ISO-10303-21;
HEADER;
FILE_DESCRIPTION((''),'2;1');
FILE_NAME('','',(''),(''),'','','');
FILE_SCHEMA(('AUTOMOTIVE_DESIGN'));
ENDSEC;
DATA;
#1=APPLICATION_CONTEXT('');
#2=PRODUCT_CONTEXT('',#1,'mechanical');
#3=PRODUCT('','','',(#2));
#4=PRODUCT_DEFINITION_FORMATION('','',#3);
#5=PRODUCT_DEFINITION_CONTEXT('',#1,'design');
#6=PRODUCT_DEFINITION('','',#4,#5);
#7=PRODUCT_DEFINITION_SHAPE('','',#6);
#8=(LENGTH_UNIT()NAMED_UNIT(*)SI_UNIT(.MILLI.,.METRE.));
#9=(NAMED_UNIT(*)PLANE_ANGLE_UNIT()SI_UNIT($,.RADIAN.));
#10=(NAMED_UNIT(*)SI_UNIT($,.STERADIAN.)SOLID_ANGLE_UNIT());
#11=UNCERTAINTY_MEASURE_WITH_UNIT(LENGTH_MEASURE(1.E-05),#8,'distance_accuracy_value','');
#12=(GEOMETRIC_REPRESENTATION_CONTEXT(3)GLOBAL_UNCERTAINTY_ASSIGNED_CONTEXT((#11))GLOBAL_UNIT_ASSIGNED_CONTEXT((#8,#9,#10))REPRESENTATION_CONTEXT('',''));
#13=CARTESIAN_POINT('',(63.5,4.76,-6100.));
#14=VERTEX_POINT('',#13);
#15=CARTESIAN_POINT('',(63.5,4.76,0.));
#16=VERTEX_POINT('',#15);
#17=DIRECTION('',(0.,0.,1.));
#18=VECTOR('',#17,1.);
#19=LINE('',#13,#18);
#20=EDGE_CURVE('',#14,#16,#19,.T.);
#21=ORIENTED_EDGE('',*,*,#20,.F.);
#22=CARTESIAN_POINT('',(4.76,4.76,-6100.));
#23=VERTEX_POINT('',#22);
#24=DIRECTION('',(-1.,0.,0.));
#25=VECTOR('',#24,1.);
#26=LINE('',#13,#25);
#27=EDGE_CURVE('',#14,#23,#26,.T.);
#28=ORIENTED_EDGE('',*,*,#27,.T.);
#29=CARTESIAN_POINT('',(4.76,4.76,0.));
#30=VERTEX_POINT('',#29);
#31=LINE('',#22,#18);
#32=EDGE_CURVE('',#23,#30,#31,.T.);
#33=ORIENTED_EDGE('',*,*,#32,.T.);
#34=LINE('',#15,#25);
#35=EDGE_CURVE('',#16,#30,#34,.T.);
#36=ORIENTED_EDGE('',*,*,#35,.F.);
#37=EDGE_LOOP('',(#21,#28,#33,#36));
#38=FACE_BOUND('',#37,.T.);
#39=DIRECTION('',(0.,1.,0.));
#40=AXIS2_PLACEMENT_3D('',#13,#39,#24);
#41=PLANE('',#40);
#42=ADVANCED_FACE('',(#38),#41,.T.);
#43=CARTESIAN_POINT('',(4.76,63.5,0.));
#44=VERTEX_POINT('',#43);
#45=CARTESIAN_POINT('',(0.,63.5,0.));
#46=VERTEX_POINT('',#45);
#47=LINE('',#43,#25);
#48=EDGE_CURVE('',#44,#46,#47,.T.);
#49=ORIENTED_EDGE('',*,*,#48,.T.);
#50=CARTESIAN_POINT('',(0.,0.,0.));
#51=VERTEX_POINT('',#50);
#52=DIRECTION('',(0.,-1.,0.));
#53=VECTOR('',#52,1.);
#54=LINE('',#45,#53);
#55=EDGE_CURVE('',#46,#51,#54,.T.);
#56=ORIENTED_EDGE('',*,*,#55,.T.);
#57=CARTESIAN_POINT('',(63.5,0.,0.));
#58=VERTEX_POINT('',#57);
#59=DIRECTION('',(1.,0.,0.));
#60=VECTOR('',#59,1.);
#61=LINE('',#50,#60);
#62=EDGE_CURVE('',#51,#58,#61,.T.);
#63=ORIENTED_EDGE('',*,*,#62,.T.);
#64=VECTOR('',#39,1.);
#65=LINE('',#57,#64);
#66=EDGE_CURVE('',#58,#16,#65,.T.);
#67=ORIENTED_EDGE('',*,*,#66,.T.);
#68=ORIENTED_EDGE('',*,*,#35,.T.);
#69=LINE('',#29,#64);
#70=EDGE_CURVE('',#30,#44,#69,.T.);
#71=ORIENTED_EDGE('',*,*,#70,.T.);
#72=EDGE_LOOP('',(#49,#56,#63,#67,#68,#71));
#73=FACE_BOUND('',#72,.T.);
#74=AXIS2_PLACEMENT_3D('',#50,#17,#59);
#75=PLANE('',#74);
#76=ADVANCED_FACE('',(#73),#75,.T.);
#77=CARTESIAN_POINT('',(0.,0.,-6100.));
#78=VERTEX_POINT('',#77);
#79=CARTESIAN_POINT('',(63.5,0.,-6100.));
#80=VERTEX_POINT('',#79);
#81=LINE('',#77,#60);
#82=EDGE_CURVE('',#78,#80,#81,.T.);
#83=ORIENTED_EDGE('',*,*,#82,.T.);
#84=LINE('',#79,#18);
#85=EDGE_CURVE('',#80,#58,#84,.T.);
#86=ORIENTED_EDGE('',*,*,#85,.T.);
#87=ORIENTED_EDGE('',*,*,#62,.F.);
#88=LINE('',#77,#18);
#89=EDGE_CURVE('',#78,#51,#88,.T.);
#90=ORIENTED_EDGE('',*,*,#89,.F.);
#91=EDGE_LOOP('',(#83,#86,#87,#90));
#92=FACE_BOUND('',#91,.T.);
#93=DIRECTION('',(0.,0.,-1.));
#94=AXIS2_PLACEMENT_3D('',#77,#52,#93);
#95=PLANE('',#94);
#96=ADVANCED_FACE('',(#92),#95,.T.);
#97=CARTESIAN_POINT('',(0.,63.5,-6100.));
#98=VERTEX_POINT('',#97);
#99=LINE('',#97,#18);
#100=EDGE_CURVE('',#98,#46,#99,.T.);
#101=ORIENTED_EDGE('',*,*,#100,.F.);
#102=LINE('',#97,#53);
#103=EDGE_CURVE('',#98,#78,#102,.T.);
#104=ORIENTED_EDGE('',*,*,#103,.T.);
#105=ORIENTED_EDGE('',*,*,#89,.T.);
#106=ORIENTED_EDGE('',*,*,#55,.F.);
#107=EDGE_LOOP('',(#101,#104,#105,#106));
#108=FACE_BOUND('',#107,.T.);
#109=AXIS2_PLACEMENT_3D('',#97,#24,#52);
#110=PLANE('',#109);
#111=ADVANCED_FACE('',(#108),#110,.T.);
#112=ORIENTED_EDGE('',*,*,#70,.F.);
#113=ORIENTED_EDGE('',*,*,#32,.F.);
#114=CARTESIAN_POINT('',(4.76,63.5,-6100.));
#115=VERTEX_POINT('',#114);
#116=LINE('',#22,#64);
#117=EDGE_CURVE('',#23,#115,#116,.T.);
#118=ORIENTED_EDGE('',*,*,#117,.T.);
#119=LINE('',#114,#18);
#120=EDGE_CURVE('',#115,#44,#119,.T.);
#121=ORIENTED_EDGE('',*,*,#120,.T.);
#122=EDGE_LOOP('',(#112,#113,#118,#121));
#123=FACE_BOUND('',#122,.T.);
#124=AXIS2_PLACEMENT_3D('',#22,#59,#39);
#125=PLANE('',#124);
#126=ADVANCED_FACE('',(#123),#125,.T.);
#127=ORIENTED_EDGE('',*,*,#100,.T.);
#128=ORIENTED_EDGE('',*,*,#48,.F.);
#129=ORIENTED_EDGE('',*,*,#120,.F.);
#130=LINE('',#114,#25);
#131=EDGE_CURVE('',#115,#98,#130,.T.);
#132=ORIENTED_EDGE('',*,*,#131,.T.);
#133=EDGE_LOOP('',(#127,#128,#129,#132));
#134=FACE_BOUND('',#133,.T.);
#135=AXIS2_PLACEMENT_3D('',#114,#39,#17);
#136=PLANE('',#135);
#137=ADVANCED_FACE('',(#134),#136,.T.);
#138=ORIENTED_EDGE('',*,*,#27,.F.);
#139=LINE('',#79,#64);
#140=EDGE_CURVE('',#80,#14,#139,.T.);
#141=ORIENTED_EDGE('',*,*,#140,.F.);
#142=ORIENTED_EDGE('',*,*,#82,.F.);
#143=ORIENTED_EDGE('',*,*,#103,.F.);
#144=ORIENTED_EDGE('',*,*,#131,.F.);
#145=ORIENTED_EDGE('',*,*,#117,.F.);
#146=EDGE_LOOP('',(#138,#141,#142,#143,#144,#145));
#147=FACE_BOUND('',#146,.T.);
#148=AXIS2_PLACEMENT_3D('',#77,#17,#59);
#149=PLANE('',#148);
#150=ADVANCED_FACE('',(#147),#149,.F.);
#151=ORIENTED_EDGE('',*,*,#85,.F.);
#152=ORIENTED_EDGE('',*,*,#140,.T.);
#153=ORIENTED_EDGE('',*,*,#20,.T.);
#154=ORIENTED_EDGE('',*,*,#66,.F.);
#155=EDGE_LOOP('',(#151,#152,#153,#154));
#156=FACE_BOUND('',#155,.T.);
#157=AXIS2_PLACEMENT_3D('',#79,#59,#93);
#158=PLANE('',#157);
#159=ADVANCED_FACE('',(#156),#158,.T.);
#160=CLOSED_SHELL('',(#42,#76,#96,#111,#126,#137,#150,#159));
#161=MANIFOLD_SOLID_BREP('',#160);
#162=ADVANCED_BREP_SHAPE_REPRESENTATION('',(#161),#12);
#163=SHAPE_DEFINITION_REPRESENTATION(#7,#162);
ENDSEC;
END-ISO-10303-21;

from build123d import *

# Parameters (mm, degrees)
SALIENTE_EXTRUIR1_DEPTH = 6100


with BuildPart() as part:
    # Croquis1 → Saliente-Extruir1 (new body)
    with BuildSketch(Plane.XY):
        Polygon((0, 63.5), (0, 0), (63.5, 0), (63.5, 4.76), (4.76, 4.76), (4.76, 63.5), align=None)
    extrude(amount=-SALIENTE_EXTRUIR1_DEPTH)


solid = part.part
